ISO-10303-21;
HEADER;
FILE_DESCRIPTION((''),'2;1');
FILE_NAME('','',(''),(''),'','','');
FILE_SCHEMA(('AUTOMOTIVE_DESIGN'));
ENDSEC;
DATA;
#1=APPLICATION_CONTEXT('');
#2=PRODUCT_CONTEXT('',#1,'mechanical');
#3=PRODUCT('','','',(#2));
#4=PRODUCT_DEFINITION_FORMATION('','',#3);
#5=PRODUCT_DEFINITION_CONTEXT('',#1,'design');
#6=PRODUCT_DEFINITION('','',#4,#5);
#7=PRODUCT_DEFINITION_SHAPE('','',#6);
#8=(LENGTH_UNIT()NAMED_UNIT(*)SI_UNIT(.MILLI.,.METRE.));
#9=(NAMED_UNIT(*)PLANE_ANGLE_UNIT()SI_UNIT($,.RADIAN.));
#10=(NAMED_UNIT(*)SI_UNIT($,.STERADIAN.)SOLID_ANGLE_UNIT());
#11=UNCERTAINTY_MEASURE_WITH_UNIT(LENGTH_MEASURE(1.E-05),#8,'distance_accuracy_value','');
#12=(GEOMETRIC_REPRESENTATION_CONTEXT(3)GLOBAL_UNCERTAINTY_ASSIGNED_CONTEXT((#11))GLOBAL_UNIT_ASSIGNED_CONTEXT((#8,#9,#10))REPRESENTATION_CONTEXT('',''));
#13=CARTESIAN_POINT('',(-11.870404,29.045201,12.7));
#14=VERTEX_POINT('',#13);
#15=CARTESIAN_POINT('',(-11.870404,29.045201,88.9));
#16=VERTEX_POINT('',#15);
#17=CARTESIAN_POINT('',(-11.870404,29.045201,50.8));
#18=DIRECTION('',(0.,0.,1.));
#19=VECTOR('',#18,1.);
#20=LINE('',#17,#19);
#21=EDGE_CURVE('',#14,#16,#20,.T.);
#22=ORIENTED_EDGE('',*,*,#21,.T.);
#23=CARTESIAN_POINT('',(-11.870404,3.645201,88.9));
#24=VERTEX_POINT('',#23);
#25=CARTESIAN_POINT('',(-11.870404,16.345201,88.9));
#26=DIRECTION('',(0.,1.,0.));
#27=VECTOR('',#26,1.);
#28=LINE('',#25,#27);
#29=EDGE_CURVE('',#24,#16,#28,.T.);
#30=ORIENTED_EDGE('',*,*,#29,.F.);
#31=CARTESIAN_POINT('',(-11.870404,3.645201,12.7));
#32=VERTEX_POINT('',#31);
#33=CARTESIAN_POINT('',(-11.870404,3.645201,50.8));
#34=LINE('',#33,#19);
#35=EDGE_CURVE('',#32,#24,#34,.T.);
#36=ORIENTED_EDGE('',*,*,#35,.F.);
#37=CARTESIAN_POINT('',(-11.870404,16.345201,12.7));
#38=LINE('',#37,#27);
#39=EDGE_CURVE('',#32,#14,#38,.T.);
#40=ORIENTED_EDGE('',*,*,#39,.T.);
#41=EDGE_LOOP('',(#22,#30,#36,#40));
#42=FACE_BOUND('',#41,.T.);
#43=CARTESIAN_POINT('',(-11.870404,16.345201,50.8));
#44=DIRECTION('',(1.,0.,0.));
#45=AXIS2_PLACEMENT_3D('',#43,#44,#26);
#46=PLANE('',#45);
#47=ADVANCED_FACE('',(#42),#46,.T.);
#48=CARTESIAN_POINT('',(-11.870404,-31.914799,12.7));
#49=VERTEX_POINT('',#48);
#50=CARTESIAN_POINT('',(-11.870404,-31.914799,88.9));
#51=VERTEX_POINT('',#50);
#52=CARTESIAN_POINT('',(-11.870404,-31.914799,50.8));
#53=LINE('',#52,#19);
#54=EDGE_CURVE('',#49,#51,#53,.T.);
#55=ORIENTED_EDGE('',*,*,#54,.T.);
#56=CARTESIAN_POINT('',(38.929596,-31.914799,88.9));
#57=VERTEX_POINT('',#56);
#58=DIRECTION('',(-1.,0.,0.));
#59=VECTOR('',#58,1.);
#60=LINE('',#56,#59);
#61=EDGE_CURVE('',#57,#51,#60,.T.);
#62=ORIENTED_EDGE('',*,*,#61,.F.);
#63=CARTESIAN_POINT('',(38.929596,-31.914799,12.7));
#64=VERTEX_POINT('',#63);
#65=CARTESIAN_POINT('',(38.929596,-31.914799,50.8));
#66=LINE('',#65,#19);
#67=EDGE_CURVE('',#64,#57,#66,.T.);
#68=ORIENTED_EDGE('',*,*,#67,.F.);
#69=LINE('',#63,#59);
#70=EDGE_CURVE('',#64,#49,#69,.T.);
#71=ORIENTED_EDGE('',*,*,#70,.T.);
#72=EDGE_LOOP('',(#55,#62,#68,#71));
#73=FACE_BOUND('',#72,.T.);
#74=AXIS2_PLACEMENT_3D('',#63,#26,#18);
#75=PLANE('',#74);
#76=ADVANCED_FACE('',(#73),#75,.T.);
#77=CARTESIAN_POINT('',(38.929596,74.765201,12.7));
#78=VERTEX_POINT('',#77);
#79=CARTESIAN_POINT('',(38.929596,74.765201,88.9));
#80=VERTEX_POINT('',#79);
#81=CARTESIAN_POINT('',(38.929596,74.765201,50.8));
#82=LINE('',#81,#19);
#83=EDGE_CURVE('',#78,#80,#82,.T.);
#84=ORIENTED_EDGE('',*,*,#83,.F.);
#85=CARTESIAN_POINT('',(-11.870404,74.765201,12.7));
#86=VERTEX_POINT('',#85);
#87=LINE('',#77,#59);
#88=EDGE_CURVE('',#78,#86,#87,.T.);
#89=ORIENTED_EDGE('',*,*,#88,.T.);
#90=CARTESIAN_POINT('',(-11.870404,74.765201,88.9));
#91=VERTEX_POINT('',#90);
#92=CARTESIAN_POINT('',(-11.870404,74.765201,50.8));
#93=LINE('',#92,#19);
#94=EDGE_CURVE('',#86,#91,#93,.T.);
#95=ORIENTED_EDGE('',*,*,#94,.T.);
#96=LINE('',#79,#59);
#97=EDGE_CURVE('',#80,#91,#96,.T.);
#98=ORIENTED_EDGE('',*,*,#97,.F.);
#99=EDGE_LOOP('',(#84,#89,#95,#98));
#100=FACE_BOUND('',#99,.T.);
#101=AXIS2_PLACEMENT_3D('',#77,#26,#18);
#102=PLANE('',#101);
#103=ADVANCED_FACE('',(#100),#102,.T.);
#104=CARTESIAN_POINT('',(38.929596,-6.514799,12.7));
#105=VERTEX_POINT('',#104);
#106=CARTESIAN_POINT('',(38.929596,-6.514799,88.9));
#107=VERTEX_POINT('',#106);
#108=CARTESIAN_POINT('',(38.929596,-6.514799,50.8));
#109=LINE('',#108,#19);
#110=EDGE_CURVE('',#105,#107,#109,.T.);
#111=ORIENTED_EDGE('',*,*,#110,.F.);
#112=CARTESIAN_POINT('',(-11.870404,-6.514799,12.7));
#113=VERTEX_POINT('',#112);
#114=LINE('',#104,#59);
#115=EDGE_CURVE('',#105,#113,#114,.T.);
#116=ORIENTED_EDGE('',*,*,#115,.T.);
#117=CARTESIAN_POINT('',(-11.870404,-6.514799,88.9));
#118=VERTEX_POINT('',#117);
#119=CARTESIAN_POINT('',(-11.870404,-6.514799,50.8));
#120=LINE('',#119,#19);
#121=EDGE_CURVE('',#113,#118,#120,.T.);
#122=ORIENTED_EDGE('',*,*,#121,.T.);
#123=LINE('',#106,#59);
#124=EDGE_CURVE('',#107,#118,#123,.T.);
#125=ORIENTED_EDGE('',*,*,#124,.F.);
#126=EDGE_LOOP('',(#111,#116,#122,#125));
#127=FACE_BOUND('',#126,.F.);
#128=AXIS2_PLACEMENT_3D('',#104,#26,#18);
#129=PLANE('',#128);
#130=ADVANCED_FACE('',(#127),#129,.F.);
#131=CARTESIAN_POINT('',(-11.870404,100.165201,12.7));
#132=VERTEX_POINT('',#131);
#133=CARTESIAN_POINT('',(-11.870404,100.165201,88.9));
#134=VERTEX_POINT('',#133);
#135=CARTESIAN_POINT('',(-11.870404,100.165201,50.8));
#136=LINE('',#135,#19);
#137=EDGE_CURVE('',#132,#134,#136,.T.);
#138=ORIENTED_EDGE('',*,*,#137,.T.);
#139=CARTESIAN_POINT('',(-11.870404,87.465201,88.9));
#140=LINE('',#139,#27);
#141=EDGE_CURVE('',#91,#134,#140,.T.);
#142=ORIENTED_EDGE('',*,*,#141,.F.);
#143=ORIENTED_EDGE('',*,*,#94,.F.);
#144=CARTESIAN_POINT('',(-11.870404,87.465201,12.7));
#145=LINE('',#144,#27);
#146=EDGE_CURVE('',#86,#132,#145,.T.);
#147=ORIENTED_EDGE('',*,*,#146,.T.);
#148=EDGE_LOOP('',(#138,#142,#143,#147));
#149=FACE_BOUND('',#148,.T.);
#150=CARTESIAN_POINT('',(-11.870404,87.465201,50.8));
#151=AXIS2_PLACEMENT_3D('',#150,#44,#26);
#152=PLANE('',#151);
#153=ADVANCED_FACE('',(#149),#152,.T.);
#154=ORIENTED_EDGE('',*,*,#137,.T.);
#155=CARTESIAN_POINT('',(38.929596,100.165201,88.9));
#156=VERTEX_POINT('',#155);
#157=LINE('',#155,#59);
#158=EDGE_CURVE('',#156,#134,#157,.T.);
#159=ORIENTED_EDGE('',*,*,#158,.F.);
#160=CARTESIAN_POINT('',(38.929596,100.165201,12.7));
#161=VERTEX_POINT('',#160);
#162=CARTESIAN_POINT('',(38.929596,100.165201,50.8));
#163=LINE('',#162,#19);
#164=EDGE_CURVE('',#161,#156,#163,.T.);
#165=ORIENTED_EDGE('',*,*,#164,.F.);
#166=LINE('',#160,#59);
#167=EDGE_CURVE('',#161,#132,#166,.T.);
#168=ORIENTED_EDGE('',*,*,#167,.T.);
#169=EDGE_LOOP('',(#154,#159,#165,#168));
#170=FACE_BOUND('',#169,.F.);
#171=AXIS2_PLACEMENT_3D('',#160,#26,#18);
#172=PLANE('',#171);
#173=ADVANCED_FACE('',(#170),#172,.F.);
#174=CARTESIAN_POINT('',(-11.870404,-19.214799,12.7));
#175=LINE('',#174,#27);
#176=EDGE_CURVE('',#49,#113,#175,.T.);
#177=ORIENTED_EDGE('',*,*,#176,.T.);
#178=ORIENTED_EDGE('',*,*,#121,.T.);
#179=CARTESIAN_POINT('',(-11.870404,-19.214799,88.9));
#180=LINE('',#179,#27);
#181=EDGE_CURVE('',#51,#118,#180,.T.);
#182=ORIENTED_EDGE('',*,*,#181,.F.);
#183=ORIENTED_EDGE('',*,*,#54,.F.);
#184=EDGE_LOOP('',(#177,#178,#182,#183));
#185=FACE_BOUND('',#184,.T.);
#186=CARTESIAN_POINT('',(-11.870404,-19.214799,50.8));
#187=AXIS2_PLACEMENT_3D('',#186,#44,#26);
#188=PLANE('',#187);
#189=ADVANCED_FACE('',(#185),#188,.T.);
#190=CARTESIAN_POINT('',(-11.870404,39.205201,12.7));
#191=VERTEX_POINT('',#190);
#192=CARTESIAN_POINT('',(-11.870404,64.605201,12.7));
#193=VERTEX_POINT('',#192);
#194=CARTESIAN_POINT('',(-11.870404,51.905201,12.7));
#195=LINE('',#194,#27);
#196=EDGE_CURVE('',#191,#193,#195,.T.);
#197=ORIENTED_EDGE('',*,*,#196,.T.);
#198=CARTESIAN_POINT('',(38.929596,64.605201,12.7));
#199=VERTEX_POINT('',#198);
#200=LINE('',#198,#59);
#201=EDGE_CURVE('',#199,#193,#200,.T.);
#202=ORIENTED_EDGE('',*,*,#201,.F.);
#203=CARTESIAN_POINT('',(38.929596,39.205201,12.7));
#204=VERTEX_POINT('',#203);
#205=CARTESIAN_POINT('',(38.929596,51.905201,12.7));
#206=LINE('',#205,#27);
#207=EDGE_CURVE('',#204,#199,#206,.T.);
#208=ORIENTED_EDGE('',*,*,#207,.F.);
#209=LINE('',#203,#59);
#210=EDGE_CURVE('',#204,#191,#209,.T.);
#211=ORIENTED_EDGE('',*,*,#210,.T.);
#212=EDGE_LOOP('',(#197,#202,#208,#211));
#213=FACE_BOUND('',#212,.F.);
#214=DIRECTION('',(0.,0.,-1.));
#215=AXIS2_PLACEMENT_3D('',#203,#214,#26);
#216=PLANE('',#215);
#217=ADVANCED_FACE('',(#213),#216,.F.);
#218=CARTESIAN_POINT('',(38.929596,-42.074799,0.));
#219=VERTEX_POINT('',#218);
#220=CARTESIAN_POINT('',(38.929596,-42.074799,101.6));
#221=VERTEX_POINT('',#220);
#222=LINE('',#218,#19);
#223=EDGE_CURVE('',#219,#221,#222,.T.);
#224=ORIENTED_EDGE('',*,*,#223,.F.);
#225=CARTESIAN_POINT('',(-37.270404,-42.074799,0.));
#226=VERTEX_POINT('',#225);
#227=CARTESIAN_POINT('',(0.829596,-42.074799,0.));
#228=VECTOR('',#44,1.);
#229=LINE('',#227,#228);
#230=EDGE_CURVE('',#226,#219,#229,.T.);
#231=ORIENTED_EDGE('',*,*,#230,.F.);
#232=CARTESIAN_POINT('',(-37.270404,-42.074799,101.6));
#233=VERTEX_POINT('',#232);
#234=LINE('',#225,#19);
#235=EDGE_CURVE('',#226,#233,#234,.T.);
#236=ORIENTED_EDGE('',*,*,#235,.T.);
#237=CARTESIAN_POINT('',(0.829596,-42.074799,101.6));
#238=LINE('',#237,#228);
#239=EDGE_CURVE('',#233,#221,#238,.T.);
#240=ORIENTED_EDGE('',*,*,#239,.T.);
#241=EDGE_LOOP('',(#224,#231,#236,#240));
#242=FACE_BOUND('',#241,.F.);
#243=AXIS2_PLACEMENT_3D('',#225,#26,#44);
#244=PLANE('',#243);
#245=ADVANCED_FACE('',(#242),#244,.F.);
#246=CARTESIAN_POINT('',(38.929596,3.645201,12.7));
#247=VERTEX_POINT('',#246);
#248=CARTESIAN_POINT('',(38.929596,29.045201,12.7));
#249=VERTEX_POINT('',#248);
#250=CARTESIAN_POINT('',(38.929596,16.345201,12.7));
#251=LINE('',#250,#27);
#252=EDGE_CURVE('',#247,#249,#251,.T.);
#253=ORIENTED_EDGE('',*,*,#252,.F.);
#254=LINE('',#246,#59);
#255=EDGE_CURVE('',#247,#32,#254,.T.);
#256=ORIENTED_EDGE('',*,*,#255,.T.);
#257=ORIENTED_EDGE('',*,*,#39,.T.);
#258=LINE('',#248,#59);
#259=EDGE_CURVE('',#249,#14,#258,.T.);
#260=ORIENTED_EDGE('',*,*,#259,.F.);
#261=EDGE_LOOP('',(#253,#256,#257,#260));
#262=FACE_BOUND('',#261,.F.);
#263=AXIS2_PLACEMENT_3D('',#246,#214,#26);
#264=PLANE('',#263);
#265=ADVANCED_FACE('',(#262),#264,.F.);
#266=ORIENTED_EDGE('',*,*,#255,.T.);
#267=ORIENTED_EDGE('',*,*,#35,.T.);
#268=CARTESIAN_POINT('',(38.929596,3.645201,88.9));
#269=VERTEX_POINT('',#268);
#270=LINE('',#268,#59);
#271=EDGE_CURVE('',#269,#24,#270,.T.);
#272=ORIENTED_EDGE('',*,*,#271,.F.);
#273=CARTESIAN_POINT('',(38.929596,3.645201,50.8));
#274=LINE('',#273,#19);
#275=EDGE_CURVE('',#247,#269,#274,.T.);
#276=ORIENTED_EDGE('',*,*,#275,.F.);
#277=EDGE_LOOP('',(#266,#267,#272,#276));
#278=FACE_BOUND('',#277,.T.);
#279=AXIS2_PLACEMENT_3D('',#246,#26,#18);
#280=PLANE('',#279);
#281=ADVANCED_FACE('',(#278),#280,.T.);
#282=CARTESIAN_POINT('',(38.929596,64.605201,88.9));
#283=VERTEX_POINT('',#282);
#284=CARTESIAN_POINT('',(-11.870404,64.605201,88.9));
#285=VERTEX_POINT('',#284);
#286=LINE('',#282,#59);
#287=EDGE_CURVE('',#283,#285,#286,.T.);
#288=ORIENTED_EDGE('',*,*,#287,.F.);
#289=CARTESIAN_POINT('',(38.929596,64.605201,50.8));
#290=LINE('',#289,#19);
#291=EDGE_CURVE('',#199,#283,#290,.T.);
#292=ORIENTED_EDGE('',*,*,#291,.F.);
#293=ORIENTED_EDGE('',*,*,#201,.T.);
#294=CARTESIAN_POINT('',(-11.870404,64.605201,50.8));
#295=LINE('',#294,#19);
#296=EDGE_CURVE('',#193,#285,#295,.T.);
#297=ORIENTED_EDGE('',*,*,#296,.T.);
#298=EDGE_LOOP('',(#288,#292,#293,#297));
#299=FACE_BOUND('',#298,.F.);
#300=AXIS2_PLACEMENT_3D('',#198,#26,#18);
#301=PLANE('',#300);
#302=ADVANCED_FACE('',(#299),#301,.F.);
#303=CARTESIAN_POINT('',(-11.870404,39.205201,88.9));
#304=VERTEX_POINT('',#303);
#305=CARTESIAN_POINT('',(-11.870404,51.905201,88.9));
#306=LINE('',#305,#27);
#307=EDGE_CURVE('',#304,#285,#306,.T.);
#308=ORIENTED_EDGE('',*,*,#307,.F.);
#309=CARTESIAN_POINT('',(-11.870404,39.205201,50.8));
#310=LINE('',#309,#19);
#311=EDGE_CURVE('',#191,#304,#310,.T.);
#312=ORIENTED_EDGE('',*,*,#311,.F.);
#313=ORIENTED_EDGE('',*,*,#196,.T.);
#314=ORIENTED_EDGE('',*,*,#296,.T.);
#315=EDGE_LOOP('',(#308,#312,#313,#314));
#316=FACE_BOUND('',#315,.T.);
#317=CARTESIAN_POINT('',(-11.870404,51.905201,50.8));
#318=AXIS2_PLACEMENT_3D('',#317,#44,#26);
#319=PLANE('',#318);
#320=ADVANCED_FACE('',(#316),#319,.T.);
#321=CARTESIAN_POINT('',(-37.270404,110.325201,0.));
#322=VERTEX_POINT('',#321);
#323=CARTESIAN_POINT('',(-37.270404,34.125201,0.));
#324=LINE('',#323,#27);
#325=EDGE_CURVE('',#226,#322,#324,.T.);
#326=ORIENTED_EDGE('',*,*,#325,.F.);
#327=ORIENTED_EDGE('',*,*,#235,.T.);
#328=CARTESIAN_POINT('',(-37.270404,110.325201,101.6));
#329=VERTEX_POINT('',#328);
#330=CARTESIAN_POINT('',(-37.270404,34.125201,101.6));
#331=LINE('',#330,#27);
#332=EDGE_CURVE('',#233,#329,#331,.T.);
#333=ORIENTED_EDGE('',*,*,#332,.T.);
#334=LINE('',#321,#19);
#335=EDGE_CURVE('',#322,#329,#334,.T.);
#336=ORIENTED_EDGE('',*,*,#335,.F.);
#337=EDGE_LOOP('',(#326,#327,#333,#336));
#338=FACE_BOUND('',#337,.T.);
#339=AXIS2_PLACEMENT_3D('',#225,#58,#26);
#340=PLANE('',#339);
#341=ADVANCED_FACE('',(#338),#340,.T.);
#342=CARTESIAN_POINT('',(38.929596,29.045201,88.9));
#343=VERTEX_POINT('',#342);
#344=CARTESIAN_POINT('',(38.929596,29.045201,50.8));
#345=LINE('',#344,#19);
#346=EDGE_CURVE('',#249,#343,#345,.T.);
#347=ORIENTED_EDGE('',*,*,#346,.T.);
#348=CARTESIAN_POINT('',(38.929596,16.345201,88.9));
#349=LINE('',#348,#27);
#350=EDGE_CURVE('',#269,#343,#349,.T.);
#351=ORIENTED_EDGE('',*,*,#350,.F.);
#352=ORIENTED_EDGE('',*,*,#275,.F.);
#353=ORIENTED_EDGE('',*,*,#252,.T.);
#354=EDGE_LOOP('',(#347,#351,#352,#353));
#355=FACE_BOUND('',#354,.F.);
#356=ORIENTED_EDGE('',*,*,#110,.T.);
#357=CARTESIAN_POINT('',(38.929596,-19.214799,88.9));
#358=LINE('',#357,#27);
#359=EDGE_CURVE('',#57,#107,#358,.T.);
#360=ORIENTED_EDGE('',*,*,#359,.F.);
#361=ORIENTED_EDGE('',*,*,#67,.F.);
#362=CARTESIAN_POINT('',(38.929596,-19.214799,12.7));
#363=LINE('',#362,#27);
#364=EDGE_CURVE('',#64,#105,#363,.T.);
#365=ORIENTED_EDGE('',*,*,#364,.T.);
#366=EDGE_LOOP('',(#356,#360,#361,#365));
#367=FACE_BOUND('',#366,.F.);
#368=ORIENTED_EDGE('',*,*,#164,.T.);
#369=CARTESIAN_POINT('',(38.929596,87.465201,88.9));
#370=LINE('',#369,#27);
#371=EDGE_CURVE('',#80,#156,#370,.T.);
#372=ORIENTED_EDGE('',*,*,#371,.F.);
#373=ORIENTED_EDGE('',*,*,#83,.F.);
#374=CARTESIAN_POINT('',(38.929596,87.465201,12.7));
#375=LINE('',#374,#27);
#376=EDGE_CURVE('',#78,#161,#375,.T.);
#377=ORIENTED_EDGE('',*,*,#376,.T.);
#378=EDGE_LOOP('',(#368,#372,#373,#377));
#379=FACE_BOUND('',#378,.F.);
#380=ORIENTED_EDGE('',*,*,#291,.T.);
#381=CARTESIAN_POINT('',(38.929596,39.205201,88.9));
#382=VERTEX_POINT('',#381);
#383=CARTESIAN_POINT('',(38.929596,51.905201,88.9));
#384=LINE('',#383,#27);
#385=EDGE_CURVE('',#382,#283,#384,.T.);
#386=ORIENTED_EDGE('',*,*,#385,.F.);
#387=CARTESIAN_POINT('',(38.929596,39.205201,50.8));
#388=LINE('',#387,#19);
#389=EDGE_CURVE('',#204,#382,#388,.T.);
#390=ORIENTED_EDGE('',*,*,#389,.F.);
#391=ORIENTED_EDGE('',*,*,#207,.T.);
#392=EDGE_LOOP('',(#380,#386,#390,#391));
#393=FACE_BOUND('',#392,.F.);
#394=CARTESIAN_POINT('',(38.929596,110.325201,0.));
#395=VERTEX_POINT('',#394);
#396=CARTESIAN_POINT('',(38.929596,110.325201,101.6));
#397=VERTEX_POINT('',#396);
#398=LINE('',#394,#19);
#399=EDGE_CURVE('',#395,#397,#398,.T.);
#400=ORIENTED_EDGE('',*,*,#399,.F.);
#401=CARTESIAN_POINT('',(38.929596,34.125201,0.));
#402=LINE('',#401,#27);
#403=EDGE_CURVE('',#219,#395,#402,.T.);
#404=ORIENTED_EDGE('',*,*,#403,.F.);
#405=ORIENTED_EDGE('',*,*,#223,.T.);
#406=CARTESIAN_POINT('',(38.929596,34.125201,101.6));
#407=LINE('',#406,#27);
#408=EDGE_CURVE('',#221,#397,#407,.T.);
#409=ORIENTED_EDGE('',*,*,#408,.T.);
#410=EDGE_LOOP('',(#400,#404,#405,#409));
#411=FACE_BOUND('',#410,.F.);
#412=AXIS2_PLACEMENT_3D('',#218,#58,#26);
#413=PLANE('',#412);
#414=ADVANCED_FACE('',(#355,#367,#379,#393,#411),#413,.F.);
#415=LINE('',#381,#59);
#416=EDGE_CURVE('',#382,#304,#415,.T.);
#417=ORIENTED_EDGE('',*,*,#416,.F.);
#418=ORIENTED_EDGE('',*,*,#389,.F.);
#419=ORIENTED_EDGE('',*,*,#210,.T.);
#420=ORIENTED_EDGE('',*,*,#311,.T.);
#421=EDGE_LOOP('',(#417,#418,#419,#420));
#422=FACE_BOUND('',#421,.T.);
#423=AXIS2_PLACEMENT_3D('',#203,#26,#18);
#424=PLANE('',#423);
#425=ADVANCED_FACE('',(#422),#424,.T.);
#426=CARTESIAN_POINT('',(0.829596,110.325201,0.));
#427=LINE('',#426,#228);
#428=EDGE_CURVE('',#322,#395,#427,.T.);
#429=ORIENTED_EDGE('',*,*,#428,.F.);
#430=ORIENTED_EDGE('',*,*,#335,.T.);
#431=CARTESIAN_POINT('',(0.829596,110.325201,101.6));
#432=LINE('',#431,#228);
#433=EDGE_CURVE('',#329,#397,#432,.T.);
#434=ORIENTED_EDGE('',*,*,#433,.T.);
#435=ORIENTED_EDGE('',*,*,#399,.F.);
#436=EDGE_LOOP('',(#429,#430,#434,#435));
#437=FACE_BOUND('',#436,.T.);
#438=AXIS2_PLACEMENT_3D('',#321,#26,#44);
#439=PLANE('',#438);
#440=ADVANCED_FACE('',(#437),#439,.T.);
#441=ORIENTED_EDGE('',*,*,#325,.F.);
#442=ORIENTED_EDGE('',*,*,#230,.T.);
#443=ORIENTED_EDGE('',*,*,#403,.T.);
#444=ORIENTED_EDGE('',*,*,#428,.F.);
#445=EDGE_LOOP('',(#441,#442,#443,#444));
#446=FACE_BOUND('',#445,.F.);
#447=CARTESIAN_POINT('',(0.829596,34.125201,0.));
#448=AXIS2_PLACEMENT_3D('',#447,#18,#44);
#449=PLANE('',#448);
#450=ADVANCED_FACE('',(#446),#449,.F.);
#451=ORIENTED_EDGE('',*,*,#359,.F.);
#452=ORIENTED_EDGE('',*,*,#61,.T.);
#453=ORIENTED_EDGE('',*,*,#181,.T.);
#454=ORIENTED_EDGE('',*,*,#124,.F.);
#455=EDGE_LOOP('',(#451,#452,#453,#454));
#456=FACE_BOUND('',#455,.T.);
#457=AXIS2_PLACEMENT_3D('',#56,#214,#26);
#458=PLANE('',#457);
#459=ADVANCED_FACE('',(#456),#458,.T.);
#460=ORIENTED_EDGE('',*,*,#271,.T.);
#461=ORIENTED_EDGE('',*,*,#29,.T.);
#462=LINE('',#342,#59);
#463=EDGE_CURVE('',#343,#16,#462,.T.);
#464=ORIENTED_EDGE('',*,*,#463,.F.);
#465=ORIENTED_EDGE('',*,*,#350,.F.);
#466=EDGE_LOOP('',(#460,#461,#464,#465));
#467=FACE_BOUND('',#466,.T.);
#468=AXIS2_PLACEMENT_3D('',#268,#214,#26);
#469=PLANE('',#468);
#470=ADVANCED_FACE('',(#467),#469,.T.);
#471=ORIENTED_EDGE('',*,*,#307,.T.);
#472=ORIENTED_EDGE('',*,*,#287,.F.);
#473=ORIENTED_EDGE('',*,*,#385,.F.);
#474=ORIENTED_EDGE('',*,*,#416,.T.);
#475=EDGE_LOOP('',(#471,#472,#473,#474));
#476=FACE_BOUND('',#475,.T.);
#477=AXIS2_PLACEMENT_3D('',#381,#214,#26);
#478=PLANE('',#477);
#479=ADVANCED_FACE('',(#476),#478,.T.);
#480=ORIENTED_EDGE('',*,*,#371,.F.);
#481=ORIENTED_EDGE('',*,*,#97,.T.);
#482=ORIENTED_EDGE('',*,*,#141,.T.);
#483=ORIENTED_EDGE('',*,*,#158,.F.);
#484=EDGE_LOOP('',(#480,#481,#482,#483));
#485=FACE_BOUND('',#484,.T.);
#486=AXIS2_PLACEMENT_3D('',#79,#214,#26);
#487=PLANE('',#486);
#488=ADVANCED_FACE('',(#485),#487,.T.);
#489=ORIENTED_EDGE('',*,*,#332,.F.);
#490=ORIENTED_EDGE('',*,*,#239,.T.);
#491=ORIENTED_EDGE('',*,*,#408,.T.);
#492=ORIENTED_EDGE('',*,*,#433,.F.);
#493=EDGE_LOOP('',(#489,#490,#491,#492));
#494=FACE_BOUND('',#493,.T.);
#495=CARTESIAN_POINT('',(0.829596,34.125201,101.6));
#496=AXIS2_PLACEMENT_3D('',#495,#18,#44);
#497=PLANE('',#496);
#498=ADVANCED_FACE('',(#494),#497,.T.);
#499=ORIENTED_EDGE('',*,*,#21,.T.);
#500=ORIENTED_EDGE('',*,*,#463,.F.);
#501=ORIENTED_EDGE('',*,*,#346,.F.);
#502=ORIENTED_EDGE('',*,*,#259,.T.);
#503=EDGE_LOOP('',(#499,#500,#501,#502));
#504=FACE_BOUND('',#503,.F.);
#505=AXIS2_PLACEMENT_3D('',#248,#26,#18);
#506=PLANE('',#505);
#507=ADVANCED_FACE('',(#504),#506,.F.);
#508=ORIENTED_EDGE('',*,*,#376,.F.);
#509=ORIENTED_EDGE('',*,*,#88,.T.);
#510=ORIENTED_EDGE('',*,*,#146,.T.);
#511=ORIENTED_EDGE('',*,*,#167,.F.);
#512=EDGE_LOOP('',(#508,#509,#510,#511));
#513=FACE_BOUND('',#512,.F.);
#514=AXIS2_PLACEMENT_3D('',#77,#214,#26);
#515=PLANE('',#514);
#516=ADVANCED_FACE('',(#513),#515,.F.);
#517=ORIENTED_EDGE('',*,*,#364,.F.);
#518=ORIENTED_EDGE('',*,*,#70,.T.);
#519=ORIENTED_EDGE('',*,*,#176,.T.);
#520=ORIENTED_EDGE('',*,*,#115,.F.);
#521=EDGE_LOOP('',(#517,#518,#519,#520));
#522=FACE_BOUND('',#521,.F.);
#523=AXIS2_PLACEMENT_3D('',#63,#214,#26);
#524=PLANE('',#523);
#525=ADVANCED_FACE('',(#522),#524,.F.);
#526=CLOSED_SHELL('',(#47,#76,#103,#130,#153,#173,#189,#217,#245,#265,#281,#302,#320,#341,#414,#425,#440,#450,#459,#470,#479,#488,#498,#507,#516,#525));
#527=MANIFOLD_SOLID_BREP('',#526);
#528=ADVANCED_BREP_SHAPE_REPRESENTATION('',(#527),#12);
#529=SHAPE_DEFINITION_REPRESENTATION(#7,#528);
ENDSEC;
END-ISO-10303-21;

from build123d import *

# Parameters (mm, degrees)
F0_W     = 76.2
F0_H     = 152.4
F1_DEPTH = 101.6
F2_W     = 25.4
F2_H     = 76.2
F3_DEPTH = 50.8


with BuildPart() as f1:
    # F0 (on Top) → F1 (new body)
    with BuildSketch(Plane.XY):
        with Locations((0.829596, 34.125201)):
            Rectangle(F0_W, F0_H)
    extrude(amount=F1_DEPTH)

    # F2 (on face) → F3 (cut)
    with BuildSketch(Plane.YZ.offset(38.929596)):
        with Locations((87.465201, 50.8)):
            Rectangle(F2_W, F2_H)
        with Locations((51.905201, 50.8)):
            Rectangle(F2_W, F2_H)
        with Locations((16.345201, 50.8)):
            Rectangle(F2_W, F2_H)
        with Locations((-19.214799, 50.8)):
            Rectangle(F2_W, F2_H)
    extrude(amount=-F3_DEPTH, mode=Mode.SUBTRACT)


solid = f1.part
